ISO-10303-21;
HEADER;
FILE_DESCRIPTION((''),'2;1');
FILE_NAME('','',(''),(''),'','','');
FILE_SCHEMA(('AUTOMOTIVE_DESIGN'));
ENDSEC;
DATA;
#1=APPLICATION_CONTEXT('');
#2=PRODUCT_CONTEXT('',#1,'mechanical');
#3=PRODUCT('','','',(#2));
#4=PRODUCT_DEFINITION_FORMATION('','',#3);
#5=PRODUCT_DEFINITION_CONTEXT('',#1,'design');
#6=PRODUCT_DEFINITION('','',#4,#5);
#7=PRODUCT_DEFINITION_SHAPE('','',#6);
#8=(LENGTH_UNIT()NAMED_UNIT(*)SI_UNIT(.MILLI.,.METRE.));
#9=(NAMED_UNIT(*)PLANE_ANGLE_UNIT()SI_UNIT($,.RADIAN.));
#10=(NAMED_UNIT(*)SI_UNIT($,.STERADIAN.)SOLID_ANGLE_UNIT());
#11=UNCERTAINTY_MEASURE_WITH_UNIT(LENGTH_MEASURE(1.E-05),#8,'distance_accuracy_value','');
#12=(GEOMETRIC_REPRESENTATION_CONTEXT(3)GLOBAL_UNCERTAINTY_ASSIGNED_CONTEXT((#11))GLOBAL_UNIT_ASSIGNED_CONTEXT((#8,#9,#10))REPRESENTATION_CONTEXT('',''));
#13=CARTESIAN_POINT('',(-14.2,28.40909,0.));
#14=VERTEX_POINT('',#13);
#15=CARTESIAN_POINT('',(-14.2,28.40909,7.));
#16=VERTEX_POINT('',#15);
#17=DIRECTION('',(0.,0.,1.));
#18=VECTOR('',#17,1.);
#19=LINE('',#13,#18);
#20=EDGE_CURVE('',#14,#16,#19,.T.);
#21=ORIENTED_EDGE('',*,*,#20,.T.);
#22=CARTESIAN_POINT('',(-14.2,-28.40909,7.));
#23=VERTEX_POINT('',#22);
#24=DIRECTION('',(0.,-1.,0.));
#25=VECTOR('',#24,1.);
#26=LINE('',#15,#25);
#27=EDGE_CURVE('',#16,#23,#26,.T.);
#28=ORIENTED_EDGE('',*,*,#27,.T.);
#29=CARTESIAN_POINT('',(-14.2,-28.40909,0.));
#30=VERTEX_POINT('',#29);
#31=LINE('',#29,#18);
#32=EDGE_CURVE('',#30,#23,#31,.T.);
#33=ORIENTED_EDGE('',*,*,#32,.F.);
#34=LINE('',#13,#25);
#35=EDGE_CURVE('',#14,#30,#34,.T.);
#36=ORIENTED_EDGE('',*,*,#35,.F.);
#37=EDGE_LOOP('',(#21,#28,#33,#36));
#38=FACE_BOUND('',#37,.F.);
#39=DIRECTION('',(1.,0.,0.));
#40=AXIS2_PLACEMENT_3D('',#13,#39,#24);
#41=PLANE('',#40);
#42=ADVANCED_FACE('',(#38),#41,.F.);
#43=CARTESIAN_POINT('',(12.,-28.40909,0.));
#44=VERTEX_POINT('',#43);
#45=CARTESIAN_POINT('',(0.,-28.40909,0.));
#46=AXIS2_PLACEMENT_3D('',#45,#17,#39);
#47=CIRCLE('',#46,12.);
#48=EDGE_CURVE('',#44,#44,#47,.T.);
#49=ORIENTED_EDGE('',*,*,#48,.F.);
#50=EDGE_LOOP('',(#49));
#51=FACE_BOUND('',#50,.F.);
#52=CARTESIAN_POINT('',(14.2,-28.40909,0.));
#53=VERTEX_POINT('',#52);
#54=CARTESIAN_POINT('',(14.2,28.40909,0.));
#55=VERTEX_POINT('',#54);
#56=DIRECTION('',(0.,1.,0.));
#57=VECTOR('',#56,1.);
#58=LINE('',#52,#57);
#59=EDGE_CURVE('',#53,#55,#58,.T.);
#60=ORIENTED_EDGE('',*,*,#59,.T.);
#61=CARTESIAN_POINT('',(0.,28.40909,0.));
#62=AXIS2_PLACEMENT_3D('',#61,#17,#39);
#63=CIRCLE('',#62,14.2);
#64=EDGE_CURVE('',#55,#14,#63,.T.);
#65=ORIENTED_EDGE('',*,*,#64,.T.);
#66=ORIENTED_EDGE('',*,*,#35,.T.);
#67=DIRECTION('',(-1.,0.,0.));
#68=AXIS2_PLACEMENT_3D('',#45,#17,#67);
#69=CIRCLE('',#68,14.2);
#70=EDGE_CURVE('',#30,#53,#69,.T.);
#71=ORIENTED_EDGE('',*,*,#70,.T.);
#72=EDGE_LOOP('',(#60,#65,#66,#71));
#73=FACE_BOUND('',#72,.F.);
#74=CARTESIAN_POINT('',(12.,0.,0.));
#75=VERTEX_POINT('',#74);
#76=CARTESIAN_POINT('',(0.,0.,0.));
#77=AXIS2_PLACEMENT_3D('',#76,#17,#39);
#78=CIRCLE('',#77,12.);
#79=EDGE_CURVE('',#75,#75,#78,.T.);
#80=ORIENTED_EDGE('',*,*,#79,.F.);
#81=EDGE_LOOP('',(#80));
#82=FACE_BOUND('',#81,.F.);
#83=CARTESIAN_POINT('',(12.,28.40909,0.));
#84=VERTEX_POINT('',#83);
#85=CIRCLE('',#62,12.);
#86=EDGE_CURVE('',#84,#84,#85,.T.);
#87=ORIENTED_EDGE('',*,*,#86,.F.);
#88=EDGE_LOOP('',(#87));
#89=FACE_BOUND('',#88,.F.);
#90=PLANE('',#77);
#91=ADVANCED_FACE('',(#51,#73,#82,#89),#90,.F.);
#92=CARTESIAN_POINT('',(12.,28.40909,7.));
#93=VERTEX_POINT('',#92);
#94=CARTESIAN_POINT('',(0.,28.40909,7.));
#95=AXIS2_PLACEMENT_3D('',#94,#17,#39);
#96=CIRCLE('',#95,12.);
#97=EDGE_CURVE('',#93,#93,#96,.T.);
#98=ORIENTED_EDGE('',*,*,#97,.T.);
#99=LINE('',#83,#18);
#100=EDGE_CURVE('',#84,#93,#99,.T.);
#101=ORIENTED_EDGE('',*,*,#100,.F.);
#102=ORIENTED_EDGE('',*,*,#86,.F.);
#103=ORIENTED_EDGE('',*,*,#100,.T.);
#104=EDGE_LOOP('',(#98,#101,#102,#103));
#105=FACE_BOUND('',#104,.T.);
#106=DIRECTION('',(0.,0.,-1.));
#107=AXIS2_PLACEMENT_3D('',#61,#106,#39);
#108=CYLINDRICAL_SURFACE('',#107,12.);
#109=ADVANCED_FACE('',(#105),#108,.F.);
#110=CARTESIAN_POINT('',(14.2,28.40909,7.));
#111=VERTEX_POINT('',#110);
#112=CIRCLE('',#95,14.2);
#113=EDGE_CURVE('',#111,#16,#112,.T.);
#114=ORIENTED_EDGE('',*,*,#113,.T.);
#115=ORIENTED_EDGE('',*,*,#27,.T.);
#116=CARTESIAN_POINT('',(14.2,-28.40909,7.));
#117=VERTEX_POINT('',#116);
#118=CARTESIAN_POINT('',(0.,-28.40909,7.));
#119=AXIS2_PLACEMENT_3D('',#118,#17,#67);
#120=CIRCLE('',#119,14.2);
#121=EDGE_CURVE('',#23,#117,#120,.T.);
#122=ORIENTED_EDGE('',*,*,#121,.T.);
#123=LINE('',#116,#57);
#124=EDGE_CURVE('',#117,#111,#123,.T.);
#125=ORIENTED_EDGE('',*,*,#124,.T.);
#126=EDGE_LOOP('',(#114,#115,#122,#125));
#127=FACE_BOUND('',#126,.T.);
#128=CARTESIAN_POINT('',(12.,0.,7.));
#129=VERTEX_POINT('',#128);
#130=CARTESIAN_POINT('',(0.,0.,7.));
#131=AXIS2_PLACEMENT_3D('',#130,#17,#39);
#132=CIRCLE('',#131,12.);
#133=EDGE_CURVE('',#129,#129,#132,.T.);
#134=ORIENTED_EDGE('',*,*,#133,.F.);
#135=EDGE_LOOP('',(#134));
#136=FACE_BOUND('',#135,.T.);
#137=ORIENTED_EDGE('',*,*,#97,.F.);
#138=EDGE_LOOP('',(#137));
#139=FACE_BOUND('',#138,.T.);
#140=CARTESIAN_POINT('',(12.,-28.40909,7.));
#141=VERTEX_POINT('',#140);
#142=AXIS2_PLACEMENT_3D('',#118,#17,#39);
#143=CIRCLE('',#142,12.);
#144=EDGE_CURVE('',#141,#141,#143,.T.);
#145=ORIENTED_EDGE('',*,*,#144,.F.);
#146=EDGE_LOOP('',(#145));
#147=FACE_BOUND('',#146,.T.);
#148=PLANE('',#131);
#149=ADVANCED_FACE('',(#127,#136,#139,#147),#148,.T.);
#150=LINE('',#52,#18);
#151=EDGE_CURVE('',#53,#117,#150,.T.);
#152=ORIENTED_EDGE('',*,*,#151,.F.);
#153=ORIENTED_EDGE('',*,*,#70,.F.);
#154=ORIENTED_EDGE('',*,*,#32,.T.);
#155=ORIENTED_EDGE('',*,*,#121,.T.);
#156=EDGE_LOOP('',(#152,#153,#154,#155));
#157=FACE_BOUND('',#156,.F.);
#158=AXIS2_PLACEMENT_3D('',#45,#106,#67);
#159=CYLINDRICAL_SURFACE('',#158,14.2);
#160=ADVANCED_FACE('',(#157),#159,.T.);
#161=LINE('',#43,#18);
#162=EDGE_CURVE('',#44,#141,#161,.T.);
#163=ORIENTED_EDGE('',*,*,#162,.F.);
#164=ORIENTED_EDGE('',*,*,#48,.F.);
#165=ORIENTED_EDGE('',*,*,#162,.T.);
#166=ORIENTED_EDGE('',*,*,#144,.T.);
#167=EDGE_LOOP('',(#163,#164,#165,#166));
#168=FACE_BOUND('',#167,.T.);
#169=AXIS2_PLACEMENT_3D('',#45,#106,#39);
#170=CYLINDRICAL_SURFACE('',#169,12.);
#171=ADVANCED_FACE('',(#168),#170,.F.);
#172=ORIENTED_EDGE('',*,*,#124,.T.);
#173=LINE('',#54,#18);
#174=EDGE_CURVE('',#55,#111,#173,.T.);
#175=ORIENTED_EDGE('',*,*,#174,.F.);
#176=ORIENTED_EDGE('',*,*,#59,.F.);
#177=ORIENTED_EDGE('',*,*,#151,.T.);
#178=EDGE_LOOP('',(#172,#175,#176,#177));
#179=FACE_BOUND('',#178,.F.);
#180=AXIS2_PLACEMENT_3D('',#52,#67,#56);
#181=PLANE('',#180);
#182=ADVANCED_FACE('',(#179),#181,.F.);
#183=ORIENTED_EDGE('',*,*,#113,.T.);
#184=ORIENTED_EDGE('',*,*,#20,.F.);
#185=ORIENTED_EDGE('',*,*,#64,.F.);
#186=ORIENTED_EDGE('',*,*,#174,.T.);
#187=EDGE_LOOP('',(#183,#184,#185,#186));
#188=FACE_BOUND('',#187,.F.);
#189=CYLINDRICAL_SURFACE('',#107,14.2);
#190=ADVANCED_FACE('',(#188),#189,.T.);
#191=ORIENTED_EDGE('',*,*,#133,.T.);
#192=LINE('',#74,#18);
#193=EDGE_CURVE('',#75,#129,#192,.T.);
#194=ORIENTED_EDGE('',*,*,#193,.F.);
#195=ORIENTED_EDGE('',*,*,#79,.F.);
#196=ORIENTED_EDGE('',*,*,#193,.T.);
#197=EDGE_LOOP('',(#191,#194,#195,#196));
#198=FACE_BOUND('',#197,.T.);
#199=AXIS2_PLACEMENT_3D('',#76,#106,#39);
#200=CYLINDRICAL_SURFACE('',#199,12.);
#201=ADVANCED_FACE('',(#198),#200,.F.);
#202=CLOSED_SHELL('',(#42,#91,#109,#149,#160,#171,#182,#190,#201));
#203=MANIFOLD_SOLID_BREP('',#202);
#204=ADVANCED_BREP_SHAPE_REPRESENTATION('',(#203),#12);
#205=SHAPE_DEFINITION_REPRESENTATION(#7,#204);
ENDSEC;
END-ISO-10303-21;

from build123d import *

# Parameters (mm, degrees)
F0_R     = 12
F1_DEPTH = 7


with BuildPart() as f1:
    # F0 (on Top) → F1 (new body)
    with BuildSketch(Plane.XY):
        with BuildLine():
            Line((14.2, -28.40909), (14.2, 28.40909))
            ThreePointArc((14.2, 28.40909), (0, 42.60909), (-14.2, 28.40909))
            Line((-14.2, 28.40909), (-14.2, -28.40909))
            ThreePointArc((-14.2, -28.40909), (0, -42.60909), (14.2, -28.40909))
        make_face()
        with Locations((0, -28.40909)):
            Circle(F0_R, mode=Mode.SUBTRACT)
        Circle(F0_R, mode=Mode.SUBTRACT)
        with Locations((0, 28.40909)):
            Circle(F0_R, mode=Mode.SUBTRACT)
    extrude(amount=F1_DEPTH)


solid = f1.part
